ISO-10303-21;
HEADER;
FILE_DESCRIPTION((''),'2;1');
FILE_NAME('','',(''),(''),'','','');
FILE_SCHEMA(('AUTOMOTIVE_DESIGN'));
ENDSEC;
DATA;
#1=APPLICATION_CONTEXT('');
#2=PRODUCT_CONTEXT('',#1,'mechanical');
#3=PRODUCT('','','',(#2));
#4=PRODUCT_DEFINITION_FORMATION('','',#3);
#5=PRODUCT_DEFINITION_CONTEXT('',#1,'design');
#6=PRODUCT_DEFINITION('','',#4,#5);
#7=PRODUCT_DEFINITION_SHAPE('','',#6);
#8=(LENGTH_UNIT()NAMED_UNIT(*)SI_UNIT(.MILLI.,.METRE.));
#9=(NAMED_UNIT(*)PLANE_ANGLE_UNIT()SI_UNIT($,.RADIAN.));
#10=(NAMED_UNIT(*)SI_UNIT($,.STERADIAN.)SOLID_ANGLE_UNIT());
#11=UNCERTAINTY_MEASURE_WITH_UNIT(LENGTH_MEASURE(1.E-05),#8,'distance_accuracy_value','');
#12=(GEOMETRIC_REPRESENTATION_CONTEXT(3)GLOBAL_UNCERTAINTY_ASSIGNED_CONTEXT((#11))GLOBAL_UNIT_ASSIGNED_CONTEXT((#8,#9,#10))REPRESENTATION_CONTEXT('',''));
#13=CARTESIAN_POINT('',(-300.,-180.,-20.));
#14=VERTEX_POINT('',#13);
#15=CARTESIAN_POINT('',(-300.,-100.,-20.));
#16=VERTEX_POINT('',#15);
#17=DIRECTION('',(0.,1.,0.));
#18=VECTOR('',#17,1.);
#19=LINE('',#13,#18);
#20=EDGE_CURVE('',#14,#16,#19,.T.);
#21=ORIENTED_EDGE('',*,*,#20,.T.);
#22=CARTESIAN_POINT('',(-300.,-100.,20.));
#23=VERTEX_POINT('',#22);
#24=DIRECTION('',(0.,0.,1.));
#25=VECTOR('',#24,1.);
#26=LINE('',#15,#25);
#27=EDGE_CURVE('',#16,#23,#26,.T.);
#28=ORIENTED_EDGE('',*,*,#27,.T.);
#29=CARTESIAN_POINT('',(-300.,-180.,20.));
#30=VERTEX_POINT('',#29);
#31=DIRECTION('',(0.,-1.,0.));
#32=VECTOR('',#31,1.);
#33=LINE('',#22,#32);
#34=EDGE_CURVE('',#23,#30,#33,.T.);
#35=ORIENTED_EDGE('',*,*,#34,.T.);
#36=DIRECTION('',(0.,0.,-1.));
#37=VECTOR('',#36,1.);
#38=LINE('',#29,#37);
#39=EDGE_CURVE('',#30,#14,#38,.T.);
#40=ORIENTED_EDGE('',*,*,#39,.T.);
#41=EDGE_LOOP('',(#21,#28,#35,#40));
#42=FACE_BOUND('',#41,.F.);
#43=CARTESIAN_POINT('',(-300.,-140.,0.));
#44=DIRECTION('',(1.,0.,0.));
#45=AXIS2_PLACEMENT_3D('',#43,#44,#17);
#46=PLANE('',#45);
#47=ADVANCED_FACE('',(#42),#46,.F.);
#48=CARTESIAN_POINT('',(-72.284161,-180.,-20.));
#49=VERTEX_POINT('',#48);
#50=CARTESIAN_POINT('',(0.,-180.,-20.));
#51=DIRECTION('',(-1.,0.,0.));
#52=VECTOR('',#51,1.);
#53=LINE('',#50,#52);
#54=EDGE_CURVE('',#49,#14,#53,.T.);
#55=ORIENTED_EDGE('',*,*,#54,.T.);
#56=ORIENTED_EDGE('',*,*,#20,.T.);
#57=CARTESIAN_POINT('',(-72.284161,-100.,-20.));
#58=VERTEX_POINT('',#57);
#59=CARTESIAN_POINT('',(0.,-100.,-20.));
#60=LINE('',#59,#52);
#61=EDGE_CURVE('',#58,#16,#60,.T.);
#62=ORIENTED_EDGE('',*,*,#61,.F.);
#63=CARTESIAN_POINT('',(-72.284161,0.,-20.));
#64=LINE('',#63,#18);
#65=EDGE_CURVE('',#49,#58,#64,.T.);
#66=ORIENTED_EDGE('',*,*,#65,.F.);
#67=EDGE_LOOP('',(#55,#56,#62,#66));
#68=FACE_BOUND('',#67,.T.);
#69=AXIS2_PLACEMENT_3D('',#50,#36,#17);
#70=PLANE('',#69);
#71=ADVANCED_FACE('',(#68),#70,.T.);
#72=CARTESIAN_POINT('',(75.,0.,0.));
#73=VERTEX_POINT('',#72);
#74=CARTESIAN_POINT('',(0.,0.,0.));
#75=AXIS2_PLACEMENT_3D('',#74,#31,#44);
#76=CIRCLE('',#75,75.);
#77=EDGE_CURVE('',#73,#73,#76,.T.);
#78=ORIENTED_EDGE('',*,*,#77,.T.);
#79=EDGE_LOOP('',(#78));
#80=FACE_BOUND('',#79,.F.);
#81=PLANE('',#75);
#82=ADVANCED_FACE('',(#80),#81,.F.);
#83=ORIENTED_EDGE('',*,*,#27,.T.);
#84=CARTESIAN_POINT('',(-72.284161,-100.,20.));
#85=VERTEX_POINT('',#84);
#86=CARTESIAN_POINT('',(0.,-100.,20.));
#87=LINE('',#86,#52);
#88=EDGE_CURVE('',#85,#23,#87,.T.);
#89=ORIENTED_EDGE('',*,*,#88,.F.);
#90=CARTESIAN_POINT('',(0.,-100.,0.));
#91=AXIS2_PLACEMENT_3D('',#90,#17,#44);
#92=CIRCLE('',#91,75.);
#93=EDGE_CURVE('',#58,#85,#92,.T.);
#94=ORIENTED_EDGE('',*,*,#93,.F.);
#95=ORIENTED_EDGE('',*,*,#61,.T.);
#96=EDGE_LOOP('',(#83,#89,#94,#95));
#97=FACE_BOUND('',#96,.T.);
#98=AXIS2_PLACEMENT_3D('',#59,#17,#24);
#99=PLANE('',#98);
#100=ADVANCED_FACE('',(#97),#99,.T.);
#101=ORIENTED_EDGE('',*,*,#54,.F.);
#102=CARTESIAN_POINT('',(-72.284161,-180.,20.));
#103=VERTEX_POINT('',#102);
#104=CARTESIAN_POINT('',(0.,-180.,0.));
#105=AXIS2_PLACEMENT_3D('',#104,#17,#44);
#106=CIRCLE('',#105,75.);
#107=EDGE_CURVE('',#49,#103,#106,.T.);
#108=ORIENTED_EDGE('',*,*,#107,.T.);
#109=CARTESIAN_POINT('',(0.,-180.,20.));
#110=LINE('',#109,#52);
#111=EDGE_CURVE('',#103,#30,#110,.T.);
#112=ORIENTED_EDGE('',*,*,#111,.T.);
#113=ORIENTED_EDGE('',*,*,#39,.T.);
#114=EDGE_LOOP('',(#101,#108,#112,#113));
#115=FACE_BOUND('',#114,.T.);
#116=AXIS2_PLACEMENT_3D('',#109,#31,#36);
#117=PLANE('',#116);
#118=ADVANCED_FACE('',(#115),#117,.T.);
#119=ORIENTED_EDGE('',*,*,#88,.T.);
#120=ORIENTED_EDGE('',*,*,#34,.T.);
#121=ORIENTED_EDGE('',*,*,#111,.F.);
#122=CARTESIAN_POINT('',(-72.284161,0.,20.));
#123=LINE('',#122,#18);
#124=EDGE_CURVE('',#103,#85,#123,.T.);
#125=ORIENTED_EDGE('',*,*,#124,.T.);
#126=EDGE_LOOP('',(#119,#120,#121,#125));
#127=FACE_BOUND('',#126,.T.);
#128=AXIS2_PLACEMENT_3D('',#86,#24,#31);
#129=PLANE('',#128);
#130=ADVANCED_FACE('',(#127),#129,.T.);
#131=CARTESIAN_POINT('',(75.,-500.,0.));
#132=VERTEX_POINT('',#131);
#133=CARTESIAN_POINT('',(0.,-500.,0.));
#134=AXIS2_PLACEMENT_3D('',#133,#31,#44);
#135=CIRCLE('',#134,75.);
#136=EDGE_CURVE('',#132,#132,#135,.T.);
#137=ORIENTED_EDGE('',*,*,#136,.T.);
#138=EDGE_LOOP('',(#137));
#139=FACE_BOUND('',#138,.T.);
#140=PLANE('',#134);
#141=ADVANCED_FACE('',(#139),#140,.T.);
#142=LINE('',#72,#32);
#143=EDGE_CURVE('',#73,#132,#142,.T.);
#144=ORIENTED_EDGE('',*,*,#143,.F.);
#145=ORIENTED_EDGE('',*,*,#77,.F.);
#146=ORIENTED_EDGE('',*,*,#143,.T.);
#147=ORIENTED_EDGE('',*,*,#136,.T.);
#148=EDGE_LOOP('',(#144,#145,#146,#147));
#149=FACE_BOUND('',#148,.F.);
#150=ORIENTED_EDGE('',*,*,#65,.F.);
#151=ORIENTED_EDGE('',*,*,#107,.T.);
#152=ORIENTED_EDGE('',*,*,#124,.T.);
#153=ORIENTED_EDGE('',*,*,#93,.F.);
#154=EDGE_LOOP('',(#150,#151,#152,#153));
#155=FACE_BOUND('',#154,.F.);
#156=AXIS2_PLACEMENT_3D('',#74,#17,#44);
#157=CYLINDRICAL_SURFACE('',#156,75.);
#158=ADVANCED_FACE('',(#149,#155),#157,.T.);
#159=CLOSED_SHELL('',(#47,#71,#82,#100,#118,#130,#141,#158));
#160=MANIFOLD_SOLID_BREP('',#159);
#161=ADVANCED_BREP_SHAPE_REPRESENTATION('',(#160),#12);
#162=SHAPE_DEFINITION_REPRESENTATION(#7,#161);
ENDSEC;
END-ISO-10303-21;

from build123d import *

# Parameters (mm, degrees)
F0_R     = 75
F1_DEPTH = 500
F3_DEPTH = 300


with BuildPart() as f1:
    # F0 (on Front) → F1 (new body)
    with BuildSketch(Plane.XZ):
        Circle(F0_R)
    extrude(amount=F1_DEPTH)

    # F2 (on Right) → F3 (join)
    with BuildSketch(Plane.YZ):
        Polygon((-100, 0), (-100, 20), (-180, 20), (-180, -20), (-100, -20), align=None)
    extrude(amount=-F3_DEPTH)


solid = f1.part
